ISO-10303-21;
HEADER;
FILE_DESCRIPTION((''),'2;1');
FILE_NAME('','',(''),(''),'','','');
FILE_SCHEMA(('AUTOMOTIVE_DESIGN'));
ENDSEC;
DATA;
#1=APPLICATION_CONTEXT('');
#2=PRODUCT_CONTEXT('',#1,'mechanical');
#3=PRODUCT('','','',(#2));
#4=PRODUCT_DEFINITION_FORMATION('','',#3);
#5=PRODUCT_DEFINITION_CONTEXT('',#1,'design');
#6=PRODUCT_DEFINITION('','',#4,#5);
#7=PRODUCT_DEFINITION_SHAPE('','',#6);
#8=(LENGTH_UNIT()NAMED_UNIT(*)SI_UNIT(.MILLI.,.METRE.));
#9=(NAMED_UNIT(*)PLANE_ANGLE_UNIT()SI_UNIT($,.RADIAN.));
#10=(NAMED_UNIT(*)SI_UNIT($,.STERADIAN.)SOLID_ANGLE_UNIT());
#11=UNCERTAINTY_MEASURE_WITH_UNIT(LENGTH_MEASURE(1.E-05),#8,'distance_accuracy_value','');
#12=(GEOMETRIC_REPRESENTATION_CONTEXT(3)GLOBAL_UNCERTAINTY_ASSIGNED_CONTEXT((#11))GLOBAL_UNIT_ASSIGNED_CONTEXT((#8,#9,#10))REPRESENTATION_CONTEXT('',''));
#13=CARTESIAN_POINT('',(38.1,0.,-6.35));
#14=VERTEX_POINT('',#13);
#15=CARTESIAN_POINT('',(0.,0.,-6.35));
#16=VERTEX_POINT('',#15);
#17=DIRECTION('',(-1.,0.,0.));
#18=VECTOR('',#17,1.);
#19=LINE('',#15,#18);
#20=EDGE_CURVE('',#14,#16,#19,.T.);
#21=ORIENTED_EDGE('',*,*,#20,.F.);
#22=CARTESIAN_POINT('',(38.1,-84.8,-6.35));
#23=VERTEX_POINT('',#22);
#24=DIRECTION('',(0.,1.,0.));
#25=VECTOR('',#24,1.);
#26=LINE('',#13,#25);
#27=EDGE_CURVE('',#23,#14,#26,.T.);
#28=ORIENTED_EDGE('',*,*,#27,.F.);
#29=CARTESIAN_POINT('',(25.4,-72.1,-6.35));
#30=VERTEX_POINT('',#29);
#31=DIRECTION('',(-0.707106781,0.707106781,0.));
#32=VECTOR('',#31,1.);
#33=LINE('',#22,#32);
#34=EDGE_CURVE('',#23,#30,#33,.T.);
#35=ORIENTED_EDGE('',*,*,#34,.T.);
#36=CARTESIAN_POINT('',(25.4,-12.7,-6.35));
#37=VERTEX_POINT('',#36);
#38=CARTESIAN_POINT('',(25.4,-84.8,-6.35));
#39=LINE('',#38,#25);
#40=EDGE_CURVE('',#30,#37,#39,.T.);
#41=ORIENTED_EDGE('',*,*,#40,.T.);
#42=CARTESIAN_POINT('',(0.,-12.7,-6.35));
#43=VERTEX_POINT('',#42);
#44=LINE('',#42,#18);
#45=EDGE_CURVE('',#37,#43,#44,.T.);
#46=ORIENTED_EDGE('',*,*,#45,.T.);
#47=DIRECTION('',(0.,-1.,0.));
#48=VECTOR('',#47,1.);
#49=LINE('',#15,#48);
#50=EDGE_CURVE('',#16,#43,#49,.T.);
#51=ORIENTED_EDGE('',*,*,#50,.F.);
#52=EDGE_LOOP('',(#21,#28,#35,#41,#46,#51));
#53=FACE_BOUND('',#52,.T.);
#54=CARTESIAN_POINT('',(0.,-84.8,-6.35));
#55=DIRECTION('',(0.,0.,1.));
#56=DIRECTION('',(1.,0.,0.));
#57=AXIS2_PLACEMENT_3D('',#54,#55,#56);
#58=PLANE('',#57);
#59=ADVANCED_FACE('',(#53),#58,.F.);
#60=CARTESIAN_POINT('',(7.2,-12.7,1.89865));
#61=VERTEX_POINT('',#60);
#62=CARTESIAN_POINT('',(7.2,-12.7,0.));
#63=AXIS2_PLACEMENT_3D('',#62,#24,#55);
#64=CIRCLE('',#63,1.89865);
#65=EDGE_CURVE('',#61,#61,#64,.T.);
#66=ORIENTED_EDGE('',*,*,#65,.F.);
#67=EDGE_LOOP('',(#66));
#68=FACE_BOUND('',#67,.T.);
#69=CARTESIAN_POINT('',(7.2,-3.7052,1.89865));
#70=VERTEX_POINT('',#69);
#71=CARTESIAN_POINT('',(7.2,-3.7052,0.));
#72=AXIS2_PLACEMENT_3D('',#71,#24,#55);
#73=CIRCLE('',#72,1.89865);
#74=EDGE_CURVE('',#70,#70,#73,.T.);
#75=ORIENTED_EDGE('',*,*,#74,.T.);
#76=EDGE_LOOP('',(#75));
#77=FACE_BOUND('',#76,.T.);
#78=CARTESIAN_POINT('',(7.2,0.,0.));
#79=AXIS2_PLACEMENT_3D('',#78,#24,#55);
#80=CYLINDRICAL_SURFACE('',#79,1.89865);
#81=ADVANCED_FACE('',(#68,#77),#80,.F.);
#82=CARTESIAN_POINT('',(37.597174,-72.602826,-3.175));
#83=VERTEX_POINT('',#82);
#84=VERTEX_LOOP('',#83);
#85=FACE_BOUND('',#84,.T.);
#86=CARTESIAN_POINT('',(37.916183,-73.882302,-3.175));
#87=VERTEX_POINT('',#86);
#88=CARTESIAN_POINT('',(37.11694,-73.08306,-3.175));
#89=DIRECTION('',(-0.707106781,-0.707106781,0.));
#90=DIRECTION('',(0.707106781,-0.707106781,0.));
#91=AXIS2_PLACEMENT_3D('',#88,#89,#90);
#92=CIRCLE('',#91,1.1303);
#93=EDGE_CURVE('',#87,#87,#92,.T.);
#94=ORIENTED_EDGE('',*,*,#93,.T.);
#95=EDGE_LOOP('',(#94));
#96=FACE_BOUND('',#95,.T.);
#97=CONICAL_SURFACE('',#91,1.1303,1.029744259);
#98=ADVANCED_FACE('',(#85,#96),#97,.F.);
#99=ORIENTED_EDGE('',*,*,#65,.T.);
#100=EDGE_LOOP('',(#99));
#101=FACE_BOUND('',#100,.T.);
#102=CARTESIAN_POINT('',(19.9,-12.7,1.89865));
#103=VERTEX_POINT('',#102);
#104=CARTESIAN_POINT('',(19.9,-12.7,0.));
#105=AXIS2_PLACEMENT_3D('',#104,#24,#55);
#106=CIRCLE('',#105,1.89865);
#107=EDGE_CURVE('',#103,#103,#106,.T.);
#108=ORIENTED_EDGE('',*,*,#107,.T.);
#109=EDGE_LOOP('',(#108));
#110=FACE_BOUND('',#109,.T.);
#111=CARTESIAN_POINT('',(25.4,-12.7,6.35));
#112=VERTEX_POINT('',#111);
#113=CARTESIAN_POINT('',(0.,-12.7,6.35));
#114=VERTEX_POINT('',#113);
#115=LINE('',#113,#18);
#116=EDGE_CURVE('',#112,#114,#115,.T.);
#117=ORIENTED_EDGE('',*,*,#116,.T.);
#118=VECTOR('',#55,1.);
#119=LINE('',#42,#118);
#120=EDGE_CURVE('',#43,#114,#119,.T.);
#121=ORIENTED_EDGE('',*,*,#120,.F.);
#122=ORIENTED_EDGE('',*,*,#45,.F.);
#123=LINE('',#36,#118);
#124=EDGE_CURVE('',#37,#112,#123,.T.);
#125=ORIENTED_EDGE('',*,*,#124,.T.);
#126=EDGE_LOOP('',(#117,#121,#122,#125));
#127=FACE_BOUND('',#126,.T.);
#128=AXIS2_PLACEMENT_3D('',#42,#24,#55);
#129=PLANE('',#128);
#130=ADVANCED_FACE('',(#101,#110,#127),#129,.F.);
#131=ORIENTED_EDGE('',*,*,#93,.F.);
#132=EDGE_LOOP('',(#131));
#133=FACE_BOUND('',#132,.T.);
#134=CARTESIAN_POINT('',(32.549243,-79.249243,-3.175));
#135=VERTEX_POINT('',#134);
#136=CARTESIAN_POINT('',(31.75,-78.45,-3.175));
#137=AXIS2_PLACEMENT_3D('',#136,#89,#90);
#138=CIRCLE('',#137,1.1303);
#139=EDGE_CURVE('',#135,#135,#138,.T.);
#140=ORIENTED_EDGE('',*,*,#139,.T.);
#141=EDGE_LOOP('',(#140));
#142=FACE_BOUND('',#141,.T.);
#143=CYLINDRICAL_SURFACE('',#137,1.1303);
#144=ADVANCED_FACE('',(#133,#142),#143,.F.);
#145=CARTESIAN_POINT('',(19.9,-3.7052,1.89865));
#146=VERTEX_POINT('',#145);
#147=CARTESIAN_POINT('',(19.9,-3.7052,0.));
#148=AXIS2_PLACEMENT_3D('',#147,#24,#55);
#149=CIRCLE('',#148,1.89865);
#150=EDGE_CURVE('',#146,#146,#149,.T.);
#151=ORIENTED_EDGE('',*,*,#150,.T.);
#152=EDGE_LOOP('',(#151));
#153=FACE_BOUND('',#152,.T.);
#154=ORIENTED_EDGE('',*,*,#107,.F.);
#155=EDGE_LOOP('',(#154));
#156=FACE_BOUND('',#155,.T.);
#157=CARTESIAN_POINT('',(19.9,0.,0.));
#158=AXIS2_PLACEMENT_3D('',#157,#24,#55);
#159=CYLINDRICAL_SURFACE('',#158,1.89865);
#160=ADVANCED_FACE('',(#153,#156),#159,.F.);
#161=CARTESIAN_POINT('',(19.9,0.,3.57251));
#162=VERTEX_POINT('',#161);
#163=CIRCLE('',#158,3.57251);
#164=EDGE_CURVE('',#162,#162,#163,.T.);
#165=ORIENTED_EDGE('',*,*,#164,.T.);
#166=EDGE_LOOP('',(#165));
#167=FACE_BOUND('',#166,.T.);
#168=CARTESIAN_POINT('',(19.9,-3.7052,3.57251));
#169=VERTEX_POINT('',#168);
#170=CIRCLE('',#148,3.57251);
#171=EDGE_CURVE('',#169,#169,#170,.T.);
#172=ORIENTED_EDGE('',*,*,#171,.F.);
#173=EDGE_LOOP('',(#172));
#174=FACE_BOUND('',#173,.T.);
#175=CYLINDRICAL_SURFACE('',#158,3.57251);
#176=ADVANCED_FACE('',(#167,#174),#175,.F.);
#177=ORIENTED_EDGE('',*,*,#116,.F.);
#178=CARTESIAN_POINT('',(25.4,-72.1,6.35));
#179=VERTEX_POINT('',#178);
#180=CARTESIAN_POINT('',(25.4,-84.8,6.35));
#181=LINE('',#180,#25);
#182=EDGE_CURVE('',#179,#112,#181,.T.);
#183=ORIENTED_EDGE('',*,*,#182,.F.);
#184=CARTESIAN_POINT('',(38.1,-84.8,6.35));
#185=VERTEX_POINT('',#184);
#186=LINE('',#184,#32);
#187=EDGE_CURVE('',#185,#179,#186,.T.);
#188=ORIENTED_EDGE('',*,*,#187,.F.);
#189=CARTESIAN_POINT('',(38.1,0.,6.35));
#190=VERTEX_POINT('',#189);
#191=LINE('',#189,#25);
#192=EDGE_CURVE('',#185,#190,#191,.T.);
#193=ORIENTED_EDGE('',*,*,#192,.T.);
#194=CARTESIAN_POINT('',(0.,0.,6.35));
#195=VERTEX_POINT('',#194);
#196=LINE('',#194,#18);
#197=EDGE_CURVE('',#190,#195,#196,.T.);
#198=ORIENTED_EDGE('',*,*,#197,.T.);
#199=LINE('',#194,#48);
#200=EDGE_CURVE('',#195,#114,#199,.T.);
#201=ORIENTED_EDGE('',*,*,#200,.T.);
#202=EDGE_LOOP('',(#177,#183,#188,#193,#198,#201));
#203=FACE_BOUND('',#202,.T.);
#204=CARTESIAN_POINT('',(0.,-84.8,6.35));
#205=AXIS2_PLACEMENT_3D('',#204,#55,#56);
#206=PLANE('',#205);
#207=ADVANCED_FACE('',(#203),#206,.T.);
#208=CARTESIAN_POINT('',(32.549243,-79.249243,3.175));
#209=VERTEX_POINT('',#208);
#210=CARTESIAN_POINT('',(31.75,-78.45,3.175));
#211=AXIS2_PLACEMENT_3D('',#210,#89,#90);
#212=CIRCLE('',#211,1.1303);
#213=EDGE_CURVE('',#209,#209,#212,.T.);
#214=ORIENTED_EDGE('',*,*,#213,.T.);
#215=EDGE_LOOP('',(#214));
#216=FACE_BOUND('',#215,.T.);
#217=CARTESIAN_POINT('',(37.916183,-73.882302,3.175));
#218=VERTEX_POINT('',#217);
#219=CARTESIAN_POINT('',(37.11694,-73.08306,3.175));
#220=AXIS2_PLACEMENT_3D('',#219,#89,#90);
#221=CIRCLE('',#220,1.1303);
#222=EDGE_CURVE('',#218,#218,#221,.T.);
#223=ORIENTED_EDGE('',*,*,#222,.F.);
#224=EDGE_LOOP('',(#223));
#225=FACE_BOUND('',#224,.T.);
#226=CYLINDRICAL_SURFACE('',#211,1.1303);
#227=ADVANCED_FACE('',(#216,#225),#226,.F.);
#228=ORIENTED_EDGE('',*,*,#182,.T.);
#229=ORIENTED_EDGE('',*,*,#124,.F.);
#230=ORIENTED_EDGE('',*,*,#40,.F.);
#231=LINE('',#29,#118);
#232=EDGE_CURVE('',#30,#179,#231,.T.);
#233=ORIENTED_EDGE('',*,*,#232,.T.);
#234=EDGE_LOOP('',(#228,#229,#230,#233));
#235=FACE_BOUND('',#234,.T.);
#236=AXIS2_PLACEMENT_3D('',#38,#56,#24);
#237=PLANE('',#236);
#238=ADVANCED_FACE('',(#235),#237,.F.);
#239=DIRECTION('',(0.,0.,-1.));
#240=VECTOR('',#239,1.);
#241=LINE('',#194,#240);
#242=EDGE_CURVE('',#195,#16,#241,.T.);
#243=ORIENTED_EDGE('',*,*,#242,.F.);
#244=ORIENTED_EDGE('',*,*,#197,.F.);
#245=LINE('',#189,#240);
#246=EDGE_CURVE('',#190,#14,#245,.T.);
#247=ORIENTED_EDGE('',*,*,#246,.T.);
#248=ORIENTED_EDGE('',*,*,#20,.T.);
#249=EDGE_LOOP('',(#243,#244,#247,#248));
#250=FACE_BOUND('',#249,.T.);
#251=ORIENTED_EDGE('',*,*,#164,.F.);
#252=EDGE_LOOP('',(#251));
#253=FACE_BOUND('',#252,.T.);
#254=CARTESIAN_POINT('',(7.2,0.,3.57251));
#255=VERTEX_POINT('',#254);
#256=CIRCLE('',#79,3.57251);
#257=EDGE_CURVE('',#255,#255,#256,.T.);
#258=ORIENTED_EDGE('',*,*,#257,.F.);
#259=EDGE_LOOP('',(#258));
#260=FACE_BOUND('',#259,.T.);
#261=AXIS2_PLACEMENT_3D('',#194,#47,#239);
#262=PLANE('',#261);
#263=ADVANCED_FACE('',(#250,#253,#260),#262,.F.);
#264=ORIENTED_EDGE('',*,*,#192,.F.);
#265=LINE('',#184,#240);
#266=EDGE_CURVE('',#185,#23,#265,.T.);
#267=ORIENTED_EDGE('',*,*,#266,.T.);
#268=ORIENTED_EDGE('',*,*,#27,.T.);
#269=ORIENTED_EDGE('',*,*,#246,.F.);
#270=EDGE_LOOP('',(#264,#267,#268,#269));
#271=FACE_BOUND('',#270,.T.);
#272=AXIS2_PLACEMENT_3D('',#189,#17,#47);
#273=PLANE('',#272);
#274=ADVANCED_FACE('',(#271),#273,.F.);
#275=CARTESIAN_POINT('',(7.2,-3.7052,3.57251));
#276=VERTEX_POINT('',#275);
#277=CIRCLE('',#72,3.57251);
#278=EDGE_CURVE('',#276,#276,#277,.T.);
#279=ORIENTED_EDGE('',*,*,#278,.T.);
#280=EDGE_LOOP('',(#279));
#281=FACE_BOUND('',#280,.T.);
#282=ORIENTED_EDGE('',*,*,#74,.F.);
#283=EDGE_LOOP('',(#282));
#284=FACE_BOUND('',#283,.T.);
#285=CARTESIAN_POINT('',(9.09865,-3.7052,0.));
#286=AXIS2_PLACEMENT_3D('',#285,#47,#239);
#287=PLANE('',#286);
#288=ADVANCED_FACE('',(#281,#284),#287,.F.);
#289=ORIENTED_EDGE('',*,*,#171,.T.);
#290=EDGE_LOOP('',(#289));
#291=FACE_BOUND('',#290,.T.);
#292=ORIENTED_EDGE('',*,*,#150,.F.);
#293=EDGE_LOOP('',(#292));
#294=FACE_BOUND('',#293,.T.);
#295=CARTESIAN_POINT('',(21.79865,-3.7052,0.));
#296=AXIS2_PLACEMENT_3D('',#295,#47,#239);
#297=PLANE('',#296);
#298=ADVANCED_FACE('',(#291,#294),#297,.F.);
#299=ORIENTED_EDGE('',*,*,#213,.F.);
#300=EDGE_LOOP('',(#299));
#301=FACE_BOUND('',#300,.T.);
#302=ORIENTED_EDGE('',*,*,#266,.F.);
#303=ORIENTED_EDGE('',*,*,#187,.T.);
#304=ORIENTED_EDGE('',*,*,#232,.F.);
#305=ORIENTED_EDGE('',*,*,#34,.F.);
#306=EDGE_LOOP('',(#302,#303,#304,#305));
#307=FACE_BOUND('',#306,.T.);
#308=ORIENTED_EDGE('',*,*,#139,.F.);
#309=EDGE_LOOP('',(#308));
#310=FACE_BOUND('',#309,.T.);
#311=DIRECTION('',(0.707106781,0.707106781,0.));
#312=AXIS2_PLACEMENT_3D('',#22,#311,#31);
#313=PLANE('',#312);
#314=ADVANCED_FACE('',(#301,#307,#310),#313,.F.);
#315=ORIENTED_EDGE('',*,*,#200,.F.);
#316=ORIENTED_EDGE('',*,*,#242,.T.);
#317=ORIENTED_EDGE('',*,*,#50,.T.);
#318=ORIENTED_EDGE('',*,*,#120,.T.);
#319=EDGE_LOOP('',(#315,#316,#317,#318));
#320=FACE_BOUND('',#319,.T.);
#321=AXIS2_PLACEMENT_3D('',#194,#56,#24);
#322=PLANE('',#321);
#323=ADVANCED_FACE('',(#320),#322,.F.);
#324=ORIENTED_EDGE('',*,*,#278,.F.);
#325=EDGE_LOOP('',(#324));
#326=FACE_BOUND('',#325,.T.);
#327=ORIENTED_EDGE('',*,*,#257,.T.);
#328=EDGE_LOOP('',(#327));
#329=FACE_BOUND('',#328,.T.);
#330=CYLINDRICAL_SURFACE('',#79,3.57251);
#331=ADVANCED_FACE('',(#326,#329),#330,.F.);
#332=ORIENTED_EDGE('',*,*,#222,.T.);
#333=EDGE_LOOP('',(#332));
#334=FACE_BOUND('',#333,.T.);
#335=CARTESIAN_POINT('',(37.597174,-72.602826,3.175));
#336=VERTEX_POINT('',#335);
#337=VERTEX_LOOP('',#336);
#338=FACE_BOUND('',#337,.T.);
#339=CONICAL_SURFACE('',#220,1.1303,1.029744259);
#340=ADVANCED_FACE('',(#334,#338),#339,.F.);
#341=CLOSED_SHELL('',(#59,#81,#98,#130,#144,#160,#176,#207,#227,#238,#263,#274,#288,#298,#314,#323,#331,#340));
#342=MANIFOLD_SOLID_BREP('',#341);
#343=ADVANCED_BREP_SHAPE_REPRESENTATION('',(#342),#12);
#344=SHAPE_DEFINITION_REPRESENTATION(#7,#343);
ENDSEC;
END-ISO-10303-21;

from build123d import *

# Parameters (mm, degrees)
SKETCH1_W                                      = 38.1
SKETCH1_H                                      = 84.8
BOSS_EXTRUDE1_DEPTH                            = 6.35
SKETCH2_W                                      = 25.4
SKETCH2_H                                      = 72.1
CUT_EXTRUDE1_DEPTH                             = 13.7
CBORE_FOR_6_SOCKET_HEAD_CAP_SCREW1_D           = 3.7973
CBORE_FOR_6_SOCKET_HEAD_CAP_SCREW1_CBORE_D     = 7.14502
CBORE_FOR_6_SOCKET_HEAD_CAP_SCREW1_CBORE_DEPTH = 3.7051996
CUT_EXTRUDE2_DEPTH                             = 13.7
F_4_40_TAPPED_HOLE2_D                          = 2.2606
F_4_40_TAPPED_HOLE2_DEPTH                      = 7.59
F_4_40_TAPPED_HOLE2_TIP                        = 0.679152758


with BuildPart() as part:
    # Sketch1 → Boss-Extrude1 (new body, symmetric)
    with BuildSketch(Plane.XY):
        with Locations((19.05, -42.4)):
            Rectangle(SKETCH1_W, SKETCH1_H)
    extrude(amount=BOSS_EXTRUDE1_DEPTH, both=True)

    # Sketch2 → Cut-Extrude1 (cut, through all)
    with BuildSketch(Plane.XY.offset(6.35)):
        with Locations((12.7, -48.75)):
            Rectangle(SKETCH2_W, SKETCH2_H)
    extrude(amount=-CUT_EXTRUDE1_DEPTH, mode=Mode.SUBTRACT)

    # CBORE for #6 Socket Head Cap Screw1 (through all)
    with Locations(Plane(origin=(0, 0, 0), x_dir=(-1, 0, 0), z_dir=(0, 1, 0))):
        with Locations((-7.2, 0), (-19.9, 0)):
            CounterBoreHole(CBORE_FOR_6_SOCKET_HEAD_CAP_SCREW1_D / 2, CBORE_FOR_6_SOCKET_HEAD_CAP_SCREW1_CBORE_D / 2, CBORE_FOR_6_SOCKET_HEAD_CAP_SCREW1_CBORE_DEPTH)

    # Sketch9 → Cut-Extrude2 (cut, through all)
    with BuildSketch(Plane.XY.offset(6.35)):
        Polygon((38.1, -84.8), (24.4, -71.1), (24.4, -85.8), (38.1, -85.8), align=None)
    extrude(amount=-CUT_EXTRUDE2_DEPTH, mode=Mode.SUBTRACT)

    # #4-40 Tapped Hole2
    with Locations(Plane(origin=(-23.35, -23.35, 0), x_dir=(-0.707106781, 0.707106781, 0), z_dir=(-0.707106781, -0.707106781, 0))):
        with Locations((-77.923167287, 3.175), (-77.923167287, -3.175)):
            Hole(F_4_40_TAPPED_HOLE2_D / 2, depth=F_4_40_TAPPED_HOLE2_DEPTH)
            with Locations((0, 0, -(F_4_40_TAPPED_HOLE2_DEPTH + F_4_40_TAPPED_HOLE2_TIP / 2))):  # 118° drill point
                Cone(0, F_4_40_TAPPED_HOLE2_D / 2, F_4_40_TAPPED_HOLE2_TIP, mode=Mode.SUBTRACT)


solid = part.part
